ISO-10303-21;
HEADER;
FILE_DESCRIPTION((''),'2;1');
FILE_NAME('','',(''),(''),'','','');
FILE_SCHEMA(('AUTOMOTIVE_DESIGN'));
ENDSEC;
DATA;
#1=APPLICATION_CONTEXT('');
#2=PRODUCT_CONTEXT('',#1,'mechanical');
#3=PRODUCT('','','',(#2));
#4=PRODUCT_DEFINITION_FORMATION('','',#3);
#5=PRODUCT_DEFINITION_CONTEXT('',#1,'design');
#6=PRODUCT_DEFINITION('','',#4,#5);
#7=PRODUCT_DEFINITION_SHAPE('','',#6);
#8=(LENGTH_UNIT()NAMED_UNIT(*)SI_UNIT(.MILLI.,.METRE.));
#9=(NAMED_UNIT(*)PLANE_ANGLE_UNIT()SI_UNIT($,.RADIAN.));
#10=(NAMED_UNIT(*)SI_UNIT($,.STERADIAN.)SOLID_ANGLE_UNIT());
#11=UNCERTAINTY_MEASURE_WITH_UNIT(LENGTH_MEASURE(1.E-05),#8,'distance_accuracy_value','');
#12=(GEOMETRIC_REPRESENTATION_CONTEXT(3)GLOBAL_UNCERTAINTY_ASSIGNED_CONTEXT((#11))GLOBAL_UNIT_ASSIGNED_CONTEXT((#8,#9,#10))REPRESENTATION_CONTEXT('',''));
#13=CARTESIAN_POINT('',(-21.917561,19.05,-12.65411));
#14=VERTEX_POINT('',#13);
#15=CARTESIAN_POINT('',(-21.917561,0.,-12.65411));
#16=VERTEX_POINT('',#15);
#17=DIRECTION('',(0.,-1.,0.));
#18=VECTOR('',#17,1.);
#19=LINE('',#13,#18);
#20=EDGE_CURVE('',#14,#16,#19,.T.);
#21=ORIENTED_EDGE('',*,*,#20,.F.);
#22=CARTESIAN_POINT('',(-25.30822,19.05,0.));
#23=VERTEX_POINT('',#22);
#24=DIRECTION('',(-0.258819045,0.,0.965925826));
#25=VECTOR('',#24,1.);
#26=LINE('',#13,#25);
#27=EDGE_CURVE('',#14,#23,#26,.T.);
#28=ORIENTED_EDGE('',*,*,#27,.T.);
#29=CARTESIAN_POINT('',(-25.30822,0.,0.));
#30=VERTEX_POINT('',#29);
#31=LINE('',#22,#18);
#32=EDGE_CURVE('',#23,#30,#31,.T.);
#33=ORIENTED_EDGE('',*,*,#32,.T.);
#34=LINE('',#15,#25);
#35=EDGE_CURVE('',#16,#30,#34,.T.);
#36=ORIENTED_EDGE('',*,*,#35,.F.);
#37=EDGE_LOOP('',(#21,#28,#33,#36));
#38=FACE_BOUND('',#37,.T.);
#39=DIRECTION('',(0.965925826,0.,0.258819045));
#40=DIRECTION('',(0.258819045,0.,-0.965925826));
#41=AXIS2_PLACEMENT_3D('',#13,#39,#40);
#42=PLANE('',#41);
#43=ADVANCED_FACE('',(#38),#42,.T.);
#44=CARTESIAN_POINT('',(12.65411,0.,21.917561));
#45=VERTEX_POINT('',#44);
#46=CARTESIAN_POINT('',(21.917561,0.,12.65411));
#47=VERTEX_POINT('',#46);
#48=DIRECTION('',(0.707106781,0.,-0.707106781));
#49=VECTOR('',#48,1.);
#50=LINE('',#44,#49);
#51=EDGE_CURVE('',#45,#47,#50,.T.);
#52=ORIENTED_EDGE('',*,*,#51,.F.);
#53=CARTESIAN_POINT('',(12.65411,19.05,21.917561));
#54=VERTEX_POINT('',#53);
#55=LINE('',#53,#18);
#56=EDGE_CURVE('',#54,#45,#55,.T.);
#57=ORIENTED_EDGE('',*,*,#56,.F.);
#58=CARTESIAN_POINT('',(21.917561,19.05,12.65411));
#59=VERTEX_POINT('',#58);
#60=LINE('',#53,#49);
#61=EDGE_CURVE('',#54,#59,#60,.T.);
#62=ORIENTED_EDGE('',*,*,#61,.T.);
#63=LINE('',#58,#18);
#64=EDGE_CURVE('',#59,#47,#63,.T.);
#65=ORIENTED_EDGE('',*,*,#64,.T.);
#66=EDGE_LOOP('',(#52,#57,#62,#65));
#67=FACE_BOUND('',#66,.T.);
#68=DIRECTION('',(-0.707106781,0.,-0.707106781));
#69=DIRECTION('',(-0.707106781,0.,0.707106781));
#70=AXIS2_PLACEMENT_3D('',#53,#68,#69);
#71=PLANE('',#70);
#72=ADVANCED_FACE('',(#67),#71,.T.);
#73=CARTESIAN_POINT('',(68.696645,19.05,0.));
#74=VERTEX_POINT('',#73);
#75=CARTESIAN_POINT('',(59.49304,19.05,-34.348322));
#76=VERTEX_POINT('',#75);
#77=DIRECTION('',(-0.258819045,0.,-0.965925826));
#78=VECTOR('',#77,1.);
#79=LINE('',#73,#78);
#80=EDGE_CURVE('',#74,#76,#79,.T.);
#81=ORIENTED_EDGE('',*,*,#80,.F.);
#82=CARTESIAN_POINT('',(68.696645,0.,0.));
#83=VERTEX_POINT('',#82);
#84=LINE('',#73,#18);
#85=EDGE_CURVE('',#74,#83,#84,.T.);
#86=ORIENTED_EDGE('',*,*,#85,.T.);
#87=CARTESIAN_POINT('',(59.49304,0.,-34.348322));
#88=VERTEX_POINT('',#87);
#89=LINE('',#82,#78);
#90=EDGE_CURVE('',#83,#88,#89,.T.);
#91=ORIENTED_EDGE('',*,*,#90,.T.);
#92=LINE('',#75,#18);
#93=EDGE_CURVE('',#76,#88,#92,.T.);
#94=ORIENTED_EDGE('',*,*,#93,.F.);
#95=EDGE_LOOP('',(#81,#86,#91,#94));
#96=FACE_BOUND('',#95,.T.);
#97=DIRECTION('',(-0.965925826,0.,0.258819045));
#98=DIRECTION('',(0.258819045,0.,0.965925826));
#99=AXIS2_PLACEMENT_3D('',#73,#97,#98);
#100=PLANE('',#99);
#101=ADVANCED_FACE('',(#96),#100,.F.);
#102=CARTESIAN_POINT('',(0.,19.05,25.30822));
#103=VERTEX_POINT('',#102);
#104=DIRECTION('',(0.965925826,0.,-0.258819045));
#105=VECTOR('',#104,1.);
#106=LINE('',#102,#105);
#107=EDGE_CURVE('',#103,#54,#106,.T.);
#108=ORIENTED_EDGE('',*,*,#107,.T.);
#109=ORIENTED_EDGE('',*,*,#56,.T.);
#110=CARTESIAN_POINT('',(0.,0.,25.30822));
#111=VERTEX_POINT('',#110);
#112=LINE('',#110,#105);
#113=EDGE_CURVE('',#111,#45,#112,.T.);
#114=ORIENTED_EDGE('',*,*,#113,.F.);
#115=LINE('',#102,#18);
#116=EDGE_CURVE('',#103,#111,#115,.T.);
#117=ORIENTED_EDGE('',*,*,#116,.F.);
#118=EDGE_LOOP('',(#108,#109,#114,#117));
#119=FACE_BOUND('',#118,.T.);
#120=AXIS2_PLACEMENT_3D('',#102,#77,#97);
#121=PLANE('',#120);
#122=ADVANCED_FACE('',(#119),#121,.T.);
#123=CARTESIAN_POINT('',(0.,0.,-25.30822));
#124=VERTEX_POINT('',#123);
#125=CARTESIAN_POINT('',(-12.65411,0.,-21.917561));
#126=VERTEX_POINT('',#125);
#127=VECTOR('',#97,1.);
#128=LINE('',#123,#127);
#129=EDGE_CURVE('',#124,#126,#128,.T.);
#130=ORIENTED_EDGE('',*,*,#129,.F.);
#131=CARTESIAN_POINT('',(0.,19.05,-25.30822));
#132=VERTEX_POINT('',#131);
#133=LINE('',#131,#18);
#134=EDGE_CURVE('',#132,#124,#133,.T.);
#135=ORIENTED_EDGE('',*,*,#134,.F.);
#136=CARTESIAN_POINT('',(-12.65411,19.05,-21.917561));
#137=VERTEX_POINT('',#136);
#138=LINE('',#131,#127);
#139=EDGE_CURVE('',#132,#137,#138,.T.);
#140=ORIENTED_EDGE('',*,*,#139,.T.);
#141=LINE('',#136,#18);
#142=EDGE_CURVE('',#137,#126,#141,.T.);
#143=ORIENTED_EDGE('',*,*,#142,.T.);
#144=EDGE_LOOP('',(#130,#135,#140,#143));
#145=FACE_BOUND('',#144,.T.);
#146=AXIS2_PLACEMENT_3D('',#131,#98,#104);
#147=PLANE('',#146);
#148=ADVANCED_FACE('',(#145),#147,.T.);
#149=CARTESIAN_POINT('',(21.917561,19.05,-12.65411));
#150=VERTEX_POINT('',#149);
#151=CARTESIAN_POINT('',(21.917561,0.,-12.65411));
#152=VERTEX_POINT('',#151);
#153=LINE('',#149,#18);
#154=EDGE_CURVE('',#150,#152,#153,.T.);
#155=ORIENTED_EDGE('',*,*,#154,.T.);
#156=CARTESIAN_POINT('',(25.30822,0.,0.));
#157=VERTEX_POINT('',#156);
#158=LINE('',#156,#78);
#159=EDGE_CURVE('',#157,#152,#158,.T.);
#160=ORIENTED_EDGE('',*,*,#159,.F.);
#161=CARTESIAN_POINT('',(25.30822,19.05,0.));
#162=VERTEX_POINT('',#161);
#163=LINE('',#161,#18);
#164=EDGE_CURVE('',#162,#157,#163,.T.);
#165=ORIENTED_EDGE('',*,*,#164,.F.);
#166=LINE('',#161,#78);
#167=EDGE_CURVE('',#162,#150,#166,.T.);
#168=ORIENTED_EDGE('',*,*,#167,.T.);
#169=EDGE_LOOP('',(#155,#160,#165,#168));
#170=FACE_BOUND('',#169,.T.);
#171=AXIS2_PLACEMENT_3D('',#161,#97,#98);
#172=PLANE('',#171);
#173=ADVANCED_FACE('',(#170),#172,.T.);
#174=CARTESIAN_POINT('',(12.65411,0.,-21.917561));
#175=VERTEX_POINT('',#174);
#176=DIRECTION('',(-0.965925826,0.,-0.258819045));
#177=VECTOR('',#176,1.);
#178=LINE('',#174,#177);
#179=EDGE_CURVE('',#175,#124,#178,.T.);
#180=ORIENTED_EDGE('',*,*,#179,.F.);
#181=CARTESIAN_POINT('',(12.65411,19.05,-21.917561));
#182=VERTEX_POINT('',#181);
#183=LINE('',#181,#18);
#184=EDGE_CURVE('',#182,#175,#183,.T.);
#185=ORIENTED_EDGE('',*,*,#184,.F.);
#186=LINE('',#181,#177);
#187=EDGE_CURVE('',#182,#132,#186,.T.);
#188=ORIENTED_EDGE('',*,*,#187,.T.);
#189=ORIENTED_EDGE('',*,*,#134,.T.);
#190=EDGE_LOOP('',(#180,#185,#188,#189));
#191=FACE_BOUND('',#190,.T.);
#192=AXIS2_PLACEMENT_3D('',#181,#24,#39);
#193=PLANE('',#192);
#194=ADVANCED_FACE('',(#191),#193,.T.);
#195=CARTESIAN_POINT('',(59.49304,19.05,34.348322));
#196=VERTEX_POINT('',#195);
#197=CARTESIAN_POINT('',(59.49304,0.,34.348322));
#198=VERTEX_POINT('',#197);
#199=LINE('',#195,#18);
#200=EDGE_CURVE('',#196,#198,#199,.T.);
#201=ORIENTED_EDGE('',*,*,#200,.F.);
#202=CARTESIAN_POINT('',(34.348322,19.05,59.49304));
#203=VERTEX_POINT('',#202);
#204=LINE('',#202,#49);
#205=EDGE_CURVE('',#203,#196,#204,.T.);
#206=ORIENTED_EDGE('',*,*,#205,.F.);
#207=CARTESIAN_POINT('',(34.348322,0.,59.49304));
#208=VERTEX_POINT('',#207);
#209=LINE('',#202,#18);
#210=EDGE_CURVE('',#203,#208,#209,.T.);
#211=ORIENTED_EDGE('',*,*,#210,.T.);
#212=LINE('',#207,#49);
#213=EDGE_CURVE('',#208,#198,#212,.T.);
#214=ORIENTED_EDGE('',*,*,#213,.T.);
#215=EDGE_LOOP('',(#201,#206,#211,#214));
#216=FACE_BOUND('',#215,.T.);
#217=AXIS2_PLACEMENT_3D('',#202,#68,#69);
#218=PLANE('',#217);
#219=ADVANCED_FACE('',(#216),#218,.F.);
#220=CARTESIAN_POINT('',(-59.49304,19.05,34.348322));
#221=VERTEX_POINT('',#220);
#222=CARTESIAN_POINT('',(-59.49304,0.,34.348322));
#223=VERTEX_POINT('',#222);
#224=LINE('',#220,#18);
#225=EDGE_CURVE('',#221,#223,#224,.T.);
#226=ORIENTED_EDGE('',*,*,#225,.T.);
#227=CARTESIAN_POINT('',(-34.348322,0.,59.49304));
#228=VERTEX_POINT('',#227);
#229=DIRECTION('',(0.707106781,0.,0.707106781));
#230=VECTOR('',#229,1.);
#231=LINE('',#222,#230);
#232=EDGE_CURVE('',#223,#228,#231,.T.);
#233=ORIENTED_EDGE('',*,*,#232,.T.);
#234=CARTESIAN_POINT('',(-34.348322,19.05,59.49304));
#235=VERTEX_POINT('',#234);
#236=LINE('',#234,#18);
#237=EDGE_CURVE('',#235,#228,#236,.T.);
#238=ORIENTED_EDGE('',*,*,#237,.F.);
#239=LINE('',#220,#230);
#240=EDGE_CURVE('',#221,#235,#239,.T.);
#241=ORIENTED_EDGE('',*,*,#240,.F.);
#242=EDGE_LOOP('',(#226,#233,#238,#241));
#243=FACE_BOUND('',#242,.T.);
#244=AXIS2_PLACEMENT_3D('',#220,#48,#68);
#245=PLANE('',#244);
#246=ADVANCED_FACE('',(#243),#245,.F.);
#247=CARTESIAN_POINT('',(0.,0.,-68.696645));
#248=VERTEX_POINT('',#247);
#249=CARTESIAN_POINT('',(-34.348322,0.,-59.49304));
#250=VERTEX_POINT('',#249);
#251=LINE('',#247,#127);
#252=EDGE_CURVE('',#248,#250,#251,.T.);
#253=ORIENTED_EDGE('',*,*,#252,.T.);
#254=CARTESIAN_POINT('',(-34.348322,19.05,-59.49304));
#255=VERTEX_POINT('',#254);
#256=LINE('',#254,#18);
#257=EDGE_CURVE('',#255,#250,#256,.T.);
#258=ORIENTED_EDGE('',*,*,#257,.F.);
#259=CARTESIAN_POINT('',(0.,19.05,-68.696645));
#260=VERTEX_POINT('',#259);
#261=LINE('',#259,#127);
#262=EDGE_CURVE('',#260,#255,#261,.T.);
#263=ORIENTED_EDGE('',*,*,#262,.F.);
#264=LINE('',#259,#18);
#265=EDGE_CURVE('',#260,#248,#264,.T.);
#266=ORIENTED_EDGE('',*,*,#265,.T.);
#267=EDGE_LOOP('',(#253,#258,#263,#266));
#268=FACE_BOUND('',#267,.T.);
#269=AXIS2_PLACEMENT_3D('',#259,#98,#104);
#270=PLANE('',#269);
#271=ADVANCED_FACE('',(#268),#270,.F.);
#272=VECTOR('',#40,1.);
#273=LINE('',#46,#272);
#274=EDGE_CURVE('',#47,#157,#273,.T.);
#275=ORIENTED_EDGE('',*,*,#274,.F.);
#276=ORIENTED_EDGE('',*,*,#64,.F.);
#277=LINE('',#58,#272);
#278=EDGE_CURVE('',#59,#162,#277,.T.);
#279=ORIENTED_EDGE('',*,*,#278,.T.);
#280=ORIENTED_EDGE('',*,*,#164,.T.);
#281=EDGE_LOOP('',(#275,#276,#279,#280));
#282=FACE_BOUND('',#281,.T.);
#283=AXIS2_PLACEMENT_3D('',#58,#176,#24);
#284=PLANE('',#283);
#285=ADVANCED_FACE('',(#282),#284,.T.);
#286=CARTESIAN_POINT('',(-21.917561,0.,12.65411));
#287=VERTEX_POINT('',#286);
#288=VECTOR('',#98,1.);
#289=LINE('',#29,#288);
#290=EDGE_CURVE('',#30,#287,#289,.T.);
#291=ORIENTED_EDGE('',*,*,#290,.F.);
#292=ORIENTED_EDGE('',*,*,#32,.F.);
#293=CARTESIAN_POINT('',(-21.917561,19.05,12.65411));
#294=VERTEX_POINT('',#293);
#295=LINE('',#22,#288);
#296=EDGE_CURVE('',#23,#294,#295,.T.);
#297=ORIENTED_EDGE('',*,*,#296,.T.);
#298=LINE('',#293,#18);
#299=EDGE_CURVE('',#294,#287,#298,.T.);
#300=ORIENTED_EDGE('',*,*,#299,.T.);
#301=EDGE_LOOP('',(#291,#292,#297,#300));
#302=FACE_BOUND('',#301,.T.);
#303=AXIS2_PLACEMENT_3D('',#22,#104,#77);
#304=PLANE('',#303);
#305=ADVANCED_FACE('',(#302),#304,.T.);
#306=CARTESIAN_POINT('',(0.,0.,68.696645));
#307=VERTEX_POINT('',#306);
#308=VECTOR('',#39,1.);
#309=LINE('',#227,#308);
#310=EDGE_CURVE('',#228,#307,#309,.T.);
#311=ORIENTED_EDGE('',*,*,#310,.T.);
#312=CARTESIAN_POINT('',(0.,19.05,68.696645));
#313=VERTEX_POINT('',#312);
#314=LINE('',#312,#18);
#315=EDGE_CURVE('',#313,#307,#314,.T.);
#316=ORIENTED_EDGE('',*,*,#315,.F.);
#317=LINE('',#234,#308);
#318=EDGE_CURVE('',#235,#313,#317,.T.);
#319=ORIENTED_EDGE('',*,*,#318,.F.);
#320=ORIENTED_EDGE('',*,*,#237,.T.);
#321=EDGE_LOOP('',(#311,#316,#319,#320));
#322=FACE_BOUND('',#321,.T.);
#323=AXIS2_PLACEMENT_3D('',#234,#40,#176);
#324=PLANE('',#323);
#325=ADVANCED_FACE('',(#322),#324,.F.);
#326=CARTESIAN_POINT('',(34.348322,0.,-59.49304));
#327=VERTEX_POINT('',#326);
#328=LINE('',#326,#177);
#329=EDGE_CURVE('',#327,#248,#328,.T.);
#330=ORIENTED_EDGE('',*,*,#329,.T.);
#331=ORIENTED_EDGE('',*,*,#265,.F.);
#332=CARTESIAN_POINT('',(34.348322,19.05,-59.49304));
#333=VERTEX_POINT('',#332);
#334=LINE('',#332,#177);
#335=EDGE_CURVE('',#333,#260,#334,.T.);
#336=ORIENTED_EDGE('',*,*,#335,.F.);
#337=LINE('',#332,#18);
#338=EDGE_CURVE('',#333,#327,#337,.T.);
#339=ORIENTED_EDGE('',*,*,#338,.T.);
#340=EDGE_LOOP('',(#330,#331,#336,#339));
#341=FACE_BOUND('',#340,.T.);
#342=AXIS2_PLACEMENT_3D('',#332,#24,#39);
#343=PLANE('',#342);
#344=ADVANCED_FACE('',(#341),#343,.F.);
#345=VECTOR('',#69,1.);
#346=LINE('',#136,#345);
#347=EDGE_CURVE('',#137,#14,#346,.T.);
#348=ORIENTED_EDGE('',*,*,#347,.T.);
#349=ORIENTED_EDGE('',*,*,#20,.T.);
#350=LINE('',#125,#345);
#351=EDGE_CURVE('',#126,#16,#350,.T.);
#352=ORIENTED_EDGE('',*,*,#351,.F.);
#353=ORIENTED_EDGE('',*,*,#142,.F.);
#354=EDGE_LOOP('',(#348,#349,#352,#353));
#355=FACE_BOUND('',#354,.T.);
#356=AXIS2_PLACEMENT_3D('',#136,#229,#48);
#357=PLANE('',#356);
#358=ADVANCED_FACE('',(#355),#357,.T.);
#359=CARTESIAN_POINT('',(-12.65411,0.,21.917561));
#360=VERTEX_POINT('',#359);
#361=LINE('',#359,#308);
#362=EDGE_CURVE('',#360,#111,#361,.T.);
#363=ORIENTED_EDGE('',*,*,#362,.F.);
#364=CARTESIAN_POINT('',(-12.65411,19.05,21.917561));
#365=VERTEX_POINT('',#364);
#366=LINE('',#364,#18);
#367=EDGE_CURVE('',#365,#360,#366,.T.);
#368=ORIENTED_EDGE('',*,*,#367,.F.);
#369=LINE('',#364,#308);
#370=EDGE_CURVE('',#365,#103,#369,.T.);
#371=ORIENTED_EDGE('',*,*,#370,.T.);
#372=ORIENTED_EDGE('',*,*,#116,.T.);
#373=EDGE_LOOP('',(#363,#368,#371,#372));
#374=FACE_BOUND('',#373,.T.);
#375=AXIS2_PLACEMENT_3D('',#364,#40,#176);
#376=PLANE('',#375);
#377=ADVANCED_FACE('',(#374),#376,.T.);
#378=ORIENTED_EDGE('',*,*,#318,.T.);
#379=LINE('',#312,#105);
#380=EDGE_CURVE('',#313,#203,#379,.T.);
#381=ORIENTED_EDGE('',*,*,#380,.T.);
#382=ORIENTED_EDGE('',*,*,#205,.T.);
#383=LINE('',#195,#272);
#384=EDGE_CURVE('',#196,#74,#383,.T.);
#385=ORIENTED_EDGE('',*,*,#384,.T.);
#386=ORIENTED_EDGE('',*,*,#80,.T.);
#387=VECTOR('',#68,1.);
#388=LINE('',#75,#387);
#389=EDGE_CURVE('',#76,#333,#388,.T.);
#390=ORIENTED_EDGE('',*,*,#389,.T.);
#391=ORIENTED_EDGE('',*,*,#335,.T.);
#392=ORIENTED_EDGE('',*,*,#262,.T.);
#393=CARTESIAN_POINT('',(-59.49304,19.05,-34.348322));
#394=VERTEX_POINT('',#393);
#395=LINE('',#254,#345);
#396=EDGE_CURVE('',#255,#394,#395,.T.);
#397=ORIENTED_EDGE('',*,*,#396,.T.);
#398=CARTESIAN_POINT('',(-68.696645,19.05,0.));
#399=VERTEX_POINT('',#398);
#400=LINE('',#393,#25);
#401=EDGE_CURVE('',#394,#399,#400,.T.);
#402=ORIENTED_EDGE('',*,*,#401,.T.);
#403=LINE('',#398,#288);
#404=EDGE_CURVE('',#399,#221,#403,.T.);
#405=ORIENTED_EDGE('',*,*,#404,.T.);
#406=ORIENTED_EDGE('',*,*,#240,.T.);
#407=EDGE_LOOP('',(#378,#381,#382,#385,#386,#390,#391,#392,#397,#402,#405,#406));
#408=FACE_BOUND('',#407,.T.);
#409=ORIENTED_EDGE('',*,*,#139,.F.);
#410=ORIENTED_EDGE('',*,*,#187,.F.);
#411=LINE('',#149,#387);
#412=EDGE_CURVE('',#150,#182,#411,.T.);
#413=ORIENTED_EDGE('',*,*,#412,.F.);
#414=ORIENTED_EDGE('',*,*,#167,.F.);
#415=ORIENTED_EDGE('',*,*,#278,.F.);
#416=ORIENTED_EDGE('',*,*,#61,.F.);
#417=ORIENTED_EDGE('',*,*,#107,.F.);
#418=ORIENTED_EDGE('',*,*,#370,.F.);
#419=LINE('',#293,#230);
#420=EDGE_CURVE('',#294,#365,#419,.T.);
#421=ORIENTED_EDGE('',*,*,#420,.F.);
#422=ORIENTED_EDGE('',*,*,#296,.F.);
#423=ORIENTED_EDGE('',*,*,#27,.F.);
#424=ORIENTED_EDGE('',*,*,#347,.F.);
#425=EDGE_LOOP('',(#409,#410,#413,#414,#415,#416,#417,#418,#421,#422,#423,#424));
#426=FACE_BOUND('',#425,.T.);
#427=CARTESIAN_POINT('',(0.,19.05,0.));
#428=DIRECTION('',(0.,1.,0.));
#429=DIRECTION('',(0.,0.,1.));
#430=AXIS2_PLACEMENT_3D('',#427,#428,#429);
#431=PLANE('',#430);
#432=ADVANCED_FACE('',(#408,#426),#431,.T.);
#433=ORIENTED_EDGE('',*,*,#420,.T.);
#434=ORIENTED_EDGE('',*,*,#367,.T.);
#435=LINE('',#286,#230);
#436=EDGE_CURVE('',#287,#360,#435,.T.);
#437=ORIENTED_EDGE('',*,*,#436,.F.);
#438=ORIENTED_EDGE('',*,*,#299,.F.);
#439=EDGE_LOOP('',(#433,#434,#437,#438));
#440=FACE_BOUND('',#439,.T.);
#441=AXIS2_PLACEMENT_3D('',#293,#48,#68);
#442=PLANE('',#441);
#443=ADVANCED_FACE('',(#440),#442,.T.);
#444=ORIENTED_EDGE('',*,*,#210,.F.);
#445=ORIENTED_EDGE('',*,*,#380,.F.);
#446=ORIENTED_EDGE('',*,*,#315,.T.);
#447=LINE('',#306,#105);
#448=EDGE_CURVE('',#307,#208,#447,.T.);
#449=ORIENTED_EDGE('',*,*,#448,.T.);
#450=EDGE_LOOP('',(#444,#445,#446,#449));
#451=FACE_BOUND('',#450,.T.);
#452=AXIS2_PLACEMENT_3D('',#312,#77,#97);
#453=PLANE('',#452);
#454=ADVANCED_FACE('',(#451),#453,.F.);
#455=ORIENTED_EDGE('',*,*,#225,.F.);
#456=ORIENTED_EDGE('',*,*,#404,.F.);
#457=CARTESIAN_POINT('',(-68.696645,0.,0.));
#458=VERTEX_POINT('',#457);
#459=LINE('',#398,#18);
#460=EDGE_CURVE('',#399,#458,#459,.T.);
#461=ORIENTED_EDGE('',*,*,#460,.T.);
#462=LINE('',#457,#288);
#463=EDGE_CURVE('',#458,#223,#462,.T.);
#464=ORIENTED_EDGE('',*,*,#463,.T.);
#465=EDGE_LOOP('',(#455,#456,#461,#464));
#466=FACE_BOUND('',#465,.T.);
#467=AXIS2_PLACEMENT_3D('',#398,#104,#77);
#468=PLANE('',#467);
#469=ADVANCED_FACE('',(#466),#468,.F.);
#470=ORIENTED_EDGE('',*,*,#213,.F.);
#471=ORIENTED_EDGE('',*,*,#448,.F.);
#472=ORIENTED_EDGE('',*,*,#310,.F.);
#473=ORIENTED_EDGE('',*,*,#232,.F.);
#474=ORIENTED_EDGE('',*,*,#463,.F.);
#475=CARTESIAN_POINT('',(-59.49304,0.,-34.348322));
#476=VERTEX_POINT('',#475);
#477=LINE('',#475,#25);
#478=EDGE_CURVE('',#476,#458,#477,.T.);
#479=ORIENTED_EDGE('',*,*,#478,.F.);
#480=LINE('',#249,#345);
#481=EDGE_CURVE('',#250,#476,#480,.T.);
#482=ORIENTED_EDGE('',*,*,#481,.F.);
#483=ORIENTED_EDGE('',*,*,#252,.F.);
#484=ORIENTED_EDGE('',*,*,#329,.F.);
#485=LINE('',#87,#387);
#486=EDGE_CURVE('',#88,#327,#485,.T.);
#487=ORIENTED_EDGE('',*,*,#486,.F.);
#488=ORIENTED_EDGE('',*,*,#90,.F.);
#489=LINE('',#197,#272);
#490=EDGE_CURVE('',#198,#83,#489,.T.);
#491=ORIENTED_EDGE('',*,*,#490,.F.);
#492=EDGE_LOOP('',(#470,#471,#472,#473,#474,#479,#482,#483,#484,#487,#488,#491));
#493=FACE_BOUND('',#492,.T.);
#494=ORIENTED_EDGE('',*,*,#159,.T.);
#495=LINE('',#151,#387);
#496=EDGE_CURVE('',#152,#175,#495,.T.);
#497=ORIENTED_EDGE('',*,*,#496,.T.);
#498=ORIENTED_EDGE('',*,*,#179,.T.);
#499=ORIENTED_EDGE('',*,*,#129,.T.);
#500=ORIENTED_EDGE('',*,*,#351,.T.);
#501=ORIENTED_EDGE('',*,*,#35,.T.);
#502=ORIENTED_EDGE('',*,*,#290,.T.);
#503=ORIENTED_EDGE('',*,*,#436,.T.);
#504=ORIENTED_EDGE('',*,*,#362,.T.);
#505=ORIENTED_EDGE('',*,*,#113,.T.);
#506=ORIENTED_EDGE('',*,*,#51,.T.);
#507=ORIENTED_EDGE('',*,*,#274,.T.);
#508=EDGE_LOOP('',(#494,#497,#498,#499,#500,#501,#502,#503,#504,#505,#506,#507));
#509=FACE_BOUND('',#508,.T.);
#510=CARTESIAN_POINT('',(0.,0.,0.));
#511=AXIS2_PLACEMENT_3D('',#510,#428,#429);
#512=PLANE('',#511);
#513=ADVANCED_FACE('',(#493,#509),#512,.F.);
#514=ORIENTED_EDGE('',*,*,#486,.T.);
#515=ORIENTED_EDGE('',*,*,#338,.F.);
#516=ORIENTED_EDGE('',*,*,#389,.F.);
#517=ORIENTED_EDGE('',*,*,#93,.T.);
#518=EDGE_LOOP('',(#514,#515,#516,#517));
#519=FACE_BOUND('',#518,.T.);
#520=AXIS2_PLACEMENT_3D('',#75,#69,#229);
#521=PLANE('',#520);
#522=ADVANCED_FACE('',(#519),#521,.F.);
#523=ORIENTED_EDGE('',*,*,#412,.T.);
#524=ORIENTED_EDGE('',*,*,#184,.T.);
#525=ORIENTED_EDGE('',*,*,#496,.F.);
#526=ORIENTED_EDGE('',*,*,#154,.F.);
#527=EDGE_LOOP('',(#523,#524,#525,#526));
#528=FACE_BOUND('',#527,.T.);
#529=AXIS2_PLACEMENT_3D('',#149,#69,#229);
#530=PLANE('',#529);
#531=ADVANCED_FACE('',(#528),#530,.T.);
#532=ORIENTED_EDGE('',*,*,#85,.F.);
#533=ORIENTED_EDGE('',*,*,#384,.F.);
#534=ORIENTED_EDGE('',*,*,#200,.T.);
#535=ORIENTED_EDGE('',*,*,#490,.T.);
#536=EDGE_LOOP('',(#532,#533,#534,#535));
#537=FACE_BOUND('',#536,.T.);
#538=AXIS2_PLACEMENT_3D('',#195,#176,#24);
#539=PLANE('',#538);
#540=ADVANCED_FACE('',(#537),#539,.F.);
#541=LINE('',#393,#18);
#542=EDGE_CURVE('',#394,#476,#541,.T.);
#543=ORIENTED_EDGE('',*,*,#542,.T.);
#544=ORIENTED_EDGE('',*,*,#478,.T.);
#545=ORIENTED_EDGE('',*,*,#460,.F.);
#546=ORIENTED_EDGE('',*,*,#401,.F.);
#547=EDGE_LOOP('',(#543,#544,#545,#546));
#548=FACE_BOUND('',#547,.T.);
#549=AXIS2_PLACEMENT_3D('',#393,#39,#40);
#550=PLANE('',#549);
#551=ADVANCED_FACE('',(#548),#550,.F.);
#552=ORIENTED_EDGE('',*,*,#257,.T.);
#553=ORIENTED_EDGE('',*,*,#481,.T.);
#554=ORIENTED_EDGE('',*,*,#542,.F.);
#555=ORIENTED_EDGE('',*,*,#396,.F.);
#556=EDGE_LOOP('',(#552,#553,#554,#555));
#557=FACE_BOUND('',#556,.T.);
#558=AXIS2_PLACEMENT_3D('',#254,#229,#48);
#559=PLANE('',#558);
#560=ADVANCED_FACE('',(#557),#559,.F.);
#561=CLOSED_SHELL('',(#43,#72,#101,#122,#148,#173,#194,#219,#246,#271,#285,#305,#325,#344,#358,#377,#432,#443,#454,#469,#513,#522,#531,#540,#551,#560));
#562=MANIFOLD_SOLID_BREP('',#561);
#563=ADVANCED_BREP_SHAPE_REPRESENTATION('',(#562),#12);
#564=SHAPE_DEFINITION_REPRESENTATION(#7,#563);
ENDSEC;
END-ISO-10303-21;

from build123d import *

# Parameters (mm, degrees)
BOSS_EXTRUDE1_DEPTH = 19.05


with BuildPart() as part:
    # Sketch1 → Boss-Extrude1 (new body)
    with BuildSketch(Plane(origin=(0, 0, 0), x_dir=(1, 0, 0), z_dir=(0, 1, 0))):
        Polygon((68.696644766, 0), (59.493039522, 34.348322383), (34.348322383, 59.493039522), (0, 68.696644766), (-34.348322383, 59.493039522), (-59.493039522, 34.348322383), (-68.696644766, 0), (-59.493039522, -34.348322383), (-34.348322383, -59.493039522), (0, -68.696644766), (34.348322383, -59.493039522), (59.493039522, -34.348322383), align=None)
        Polygon((25.308220045, 0), (21.917561483, 12.654110022), (12.654110022, 21.917561483), (0, 25.308220045), (-12.654110022, 21.917561483), (-21.917561483, 12.654110022), (-25.308220045, 0), (-21.917561483, -12.654110022), (-12.654110022, -21.917561483), (0, -25.308220045), (12.654110022, -21.917561483), (21.917561483, -12.654110022), align=None, mode=Mode.SUBTRACT)
    extrude(amount=BOSS_EXTRUDE1_DEPTH)


solid = part.part
